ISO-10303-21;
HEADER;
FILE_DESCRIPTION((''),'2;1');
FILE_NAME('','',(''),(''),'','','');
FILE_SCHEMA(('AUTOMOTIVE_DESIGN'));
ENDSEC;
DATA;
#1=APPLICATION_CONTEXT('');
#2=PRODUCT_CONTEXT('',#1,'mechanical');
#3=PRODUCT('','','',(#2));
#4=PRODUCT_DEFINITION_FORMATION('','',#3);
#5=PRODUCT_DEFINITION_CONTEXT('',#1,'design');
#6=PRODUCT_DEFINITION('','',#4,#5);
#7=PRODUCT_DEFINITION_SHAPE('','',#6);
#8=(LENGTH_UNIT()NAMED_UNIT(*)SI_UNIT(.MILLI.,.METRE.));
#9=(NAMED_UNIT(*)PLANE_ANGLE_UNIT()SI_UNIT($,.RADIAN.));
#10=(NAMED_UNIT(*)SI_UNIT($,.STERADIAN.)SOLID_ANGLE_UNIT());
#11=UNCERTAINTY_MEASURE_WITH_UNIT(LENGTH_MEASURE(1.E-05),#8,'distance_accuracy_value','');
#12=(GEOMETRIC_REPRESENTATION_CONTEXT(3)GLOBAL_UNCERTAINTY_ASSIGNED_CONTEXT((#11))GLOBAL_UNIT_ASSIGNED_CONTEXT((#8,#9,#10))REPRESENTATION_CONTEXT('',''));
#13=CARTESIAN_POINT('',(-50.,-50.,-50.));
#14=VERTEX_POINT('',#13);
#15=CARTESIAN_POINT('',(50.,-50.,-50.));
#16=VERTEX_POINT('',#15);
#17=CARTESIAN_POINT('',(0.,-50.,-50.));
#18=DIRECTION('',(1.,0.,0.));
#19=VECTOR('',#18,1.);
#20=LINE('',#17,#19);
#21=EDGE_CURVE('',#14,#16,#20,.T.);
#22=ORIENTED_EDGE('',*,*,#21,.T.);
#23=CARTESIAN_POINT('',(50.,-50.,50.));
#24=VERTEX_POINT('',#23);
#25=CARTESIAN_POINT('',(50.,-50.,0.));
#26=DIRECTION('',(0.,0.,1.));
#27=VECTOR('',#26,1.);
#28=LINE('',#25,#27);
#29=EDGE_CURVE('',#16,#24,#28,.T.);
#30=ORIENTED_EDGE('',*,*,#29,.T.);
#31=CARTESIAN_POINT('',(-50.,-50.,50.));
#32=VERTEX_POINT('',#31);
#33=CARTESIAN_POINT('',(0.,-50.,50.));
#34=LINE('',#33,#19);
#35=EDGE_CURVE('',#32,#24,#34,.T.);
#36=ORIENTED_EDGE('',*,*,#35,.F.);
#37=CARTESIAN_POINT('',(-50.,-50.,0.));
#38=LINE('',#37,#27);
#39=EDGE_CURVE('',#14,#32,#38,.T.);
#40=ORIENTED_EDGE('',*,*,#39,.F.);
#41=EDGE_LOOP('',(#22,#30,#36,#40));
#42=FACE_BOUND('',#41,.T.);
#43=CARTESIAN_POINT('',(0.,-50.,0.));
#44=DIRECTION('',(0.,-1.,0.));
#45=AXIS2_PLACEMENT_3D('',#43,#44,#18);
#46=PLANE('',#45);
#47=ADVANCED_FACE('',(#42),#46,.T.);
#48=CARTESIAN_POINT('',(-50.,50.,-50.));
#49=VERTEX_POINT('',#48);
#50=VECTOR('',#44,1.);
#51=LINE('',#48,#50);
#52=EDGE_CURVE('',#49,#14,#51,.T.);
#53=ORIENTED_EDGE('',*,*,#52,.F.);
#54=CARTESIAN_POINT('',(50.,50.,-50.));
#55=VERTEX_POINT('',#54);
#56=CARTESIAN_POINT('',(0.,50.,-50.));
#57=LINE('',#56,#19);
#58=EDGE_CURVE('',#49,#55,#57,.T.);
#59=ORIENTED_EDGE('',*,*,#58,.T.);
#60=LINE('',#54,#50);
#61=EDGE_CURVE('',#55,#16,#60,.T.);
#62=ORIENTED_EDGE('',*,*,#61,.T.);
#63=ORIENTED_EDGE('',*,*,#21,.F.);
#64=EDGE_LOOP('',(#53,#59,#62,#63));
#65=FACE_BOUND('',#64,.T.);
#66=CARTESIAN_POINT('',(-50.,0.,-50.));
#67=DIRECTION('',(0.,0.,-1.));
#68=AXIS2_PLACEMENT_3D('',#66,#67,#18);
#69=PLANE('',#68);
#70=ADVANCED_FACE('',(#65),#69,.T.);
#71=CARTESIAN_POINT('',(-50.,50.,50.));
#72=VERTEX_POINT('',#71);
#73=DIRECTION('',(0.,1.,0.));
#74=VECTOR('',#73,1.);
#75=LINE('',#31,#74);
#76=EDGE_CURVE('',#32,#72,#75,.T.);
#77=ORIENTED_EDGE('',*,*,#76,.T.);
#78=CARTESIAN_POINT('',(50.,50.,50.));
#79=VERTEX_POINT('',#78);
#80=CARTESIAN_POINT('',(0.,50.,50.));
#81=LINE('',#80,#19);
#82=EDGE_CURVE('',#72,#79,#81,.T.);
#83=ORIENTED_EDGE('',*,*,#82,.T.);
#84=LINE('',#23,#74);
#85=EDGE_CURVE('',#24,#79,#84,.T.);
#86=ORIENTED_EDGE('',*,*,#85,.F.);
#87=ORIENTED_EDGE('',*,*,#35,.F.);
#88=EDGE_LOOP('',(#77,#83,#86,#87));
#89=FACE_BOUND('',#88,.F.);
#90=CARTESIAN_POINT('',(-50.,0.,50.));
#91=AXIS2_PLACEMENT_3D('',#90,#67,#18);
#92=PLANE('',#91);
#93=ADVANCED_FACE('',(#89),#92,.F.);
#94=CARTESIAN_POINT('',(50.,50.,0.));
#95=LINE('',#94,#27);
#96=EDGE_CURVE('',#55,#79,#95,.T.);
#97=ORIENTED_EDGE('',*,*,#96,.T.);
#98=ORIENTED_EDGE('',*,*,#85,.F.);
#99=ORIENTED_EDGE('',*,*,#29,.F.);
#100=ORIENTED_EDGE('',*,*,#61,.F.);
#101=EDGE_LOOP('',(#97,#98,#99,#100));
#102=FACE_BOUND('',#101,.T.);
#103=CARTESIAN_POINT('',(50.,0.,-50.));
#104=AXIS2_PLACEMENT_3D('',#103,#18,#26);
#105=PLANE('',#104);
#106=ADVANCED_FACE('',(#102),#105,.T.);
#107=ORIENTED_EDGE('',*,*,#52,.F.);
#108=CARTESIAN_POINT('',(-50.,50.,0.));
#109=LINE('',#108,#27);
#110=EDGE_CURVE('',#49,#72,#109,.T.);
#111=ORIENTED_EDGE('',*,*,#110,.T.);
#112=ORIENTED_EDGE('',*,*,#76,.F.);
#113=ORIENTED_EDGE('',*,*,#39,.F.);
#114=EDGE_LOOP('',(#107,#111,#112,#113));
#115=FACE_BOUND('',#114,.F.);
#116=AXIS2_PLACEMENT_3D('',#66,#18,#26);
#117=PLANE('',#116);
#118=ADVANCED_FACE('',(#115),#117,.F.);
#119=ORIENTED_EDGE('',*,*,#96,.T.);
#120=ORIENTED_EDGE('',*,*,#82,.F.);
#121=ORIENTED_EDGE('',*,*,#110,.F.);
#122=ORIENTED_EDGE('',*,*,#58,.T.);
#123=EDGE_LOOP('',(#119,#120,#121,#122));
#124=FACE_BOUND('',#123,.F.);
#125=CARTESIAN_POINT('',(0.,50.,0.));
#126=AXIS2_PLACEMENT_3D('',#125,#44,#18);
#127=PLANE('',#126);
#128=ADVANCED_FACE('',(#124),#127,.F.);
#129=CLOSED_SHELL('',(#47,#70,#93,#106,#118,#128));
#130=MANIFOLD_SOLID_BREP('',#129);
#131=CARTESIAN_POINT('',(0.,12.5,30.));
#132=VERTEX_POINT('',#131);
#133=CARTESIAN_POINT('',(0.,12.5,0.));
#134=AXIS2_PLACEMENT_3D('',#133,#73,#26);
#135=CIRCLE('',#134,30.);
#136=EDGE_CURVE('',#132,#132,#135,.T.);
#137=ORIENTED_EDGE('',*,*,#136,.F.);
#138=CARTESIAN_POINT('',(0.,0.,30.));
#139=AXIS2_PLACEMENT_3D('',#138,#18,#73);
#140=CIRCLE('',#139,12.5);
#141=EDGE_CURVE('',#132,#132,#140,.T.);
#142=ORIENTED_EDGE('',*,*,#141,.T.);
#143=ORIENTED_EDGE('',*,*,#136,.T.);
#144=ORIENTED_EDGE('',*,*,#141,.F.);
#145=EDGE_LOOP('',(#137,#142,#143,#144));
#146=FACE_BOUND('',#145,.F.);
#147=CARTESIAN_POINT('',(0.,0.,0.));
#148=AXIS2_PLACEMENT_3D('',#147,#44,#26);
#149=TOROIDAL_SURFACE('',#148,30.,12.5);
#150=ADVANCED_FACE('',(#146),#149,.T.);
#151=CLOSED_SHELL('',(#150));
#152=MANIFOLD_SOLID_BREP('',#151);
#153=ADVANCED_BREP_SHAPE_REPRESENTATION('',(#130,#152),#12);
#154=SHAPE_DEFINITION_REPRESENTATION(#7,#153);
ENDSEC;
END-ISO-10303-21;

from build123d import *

# Parameters (mm, degrees)
F0_W     = 100
F0_H     = 100
F1_DEPTH = 50
F2_R     = 12.5


with BuildPart() as f1:
    # F0 (on Front) → F1 (new body, symmetric)
    with BuildSketch(Plane.XZ):
        Rectangle(F0_W, F0_H)
    extrude(amount=F1_DEPTH, both=True)


with BuildPart() as f3:
    # F2 (on Right) → F3 (revolve)
    with BuildSketch(Plane.YZ):
        with Locations((0, 30)):
            Circle(F2_R)
    revolve(axis=Axis((0, 3.9544021711, 0), (0, 1, 0)))


solid = Compound([f1.part, f3.part])
